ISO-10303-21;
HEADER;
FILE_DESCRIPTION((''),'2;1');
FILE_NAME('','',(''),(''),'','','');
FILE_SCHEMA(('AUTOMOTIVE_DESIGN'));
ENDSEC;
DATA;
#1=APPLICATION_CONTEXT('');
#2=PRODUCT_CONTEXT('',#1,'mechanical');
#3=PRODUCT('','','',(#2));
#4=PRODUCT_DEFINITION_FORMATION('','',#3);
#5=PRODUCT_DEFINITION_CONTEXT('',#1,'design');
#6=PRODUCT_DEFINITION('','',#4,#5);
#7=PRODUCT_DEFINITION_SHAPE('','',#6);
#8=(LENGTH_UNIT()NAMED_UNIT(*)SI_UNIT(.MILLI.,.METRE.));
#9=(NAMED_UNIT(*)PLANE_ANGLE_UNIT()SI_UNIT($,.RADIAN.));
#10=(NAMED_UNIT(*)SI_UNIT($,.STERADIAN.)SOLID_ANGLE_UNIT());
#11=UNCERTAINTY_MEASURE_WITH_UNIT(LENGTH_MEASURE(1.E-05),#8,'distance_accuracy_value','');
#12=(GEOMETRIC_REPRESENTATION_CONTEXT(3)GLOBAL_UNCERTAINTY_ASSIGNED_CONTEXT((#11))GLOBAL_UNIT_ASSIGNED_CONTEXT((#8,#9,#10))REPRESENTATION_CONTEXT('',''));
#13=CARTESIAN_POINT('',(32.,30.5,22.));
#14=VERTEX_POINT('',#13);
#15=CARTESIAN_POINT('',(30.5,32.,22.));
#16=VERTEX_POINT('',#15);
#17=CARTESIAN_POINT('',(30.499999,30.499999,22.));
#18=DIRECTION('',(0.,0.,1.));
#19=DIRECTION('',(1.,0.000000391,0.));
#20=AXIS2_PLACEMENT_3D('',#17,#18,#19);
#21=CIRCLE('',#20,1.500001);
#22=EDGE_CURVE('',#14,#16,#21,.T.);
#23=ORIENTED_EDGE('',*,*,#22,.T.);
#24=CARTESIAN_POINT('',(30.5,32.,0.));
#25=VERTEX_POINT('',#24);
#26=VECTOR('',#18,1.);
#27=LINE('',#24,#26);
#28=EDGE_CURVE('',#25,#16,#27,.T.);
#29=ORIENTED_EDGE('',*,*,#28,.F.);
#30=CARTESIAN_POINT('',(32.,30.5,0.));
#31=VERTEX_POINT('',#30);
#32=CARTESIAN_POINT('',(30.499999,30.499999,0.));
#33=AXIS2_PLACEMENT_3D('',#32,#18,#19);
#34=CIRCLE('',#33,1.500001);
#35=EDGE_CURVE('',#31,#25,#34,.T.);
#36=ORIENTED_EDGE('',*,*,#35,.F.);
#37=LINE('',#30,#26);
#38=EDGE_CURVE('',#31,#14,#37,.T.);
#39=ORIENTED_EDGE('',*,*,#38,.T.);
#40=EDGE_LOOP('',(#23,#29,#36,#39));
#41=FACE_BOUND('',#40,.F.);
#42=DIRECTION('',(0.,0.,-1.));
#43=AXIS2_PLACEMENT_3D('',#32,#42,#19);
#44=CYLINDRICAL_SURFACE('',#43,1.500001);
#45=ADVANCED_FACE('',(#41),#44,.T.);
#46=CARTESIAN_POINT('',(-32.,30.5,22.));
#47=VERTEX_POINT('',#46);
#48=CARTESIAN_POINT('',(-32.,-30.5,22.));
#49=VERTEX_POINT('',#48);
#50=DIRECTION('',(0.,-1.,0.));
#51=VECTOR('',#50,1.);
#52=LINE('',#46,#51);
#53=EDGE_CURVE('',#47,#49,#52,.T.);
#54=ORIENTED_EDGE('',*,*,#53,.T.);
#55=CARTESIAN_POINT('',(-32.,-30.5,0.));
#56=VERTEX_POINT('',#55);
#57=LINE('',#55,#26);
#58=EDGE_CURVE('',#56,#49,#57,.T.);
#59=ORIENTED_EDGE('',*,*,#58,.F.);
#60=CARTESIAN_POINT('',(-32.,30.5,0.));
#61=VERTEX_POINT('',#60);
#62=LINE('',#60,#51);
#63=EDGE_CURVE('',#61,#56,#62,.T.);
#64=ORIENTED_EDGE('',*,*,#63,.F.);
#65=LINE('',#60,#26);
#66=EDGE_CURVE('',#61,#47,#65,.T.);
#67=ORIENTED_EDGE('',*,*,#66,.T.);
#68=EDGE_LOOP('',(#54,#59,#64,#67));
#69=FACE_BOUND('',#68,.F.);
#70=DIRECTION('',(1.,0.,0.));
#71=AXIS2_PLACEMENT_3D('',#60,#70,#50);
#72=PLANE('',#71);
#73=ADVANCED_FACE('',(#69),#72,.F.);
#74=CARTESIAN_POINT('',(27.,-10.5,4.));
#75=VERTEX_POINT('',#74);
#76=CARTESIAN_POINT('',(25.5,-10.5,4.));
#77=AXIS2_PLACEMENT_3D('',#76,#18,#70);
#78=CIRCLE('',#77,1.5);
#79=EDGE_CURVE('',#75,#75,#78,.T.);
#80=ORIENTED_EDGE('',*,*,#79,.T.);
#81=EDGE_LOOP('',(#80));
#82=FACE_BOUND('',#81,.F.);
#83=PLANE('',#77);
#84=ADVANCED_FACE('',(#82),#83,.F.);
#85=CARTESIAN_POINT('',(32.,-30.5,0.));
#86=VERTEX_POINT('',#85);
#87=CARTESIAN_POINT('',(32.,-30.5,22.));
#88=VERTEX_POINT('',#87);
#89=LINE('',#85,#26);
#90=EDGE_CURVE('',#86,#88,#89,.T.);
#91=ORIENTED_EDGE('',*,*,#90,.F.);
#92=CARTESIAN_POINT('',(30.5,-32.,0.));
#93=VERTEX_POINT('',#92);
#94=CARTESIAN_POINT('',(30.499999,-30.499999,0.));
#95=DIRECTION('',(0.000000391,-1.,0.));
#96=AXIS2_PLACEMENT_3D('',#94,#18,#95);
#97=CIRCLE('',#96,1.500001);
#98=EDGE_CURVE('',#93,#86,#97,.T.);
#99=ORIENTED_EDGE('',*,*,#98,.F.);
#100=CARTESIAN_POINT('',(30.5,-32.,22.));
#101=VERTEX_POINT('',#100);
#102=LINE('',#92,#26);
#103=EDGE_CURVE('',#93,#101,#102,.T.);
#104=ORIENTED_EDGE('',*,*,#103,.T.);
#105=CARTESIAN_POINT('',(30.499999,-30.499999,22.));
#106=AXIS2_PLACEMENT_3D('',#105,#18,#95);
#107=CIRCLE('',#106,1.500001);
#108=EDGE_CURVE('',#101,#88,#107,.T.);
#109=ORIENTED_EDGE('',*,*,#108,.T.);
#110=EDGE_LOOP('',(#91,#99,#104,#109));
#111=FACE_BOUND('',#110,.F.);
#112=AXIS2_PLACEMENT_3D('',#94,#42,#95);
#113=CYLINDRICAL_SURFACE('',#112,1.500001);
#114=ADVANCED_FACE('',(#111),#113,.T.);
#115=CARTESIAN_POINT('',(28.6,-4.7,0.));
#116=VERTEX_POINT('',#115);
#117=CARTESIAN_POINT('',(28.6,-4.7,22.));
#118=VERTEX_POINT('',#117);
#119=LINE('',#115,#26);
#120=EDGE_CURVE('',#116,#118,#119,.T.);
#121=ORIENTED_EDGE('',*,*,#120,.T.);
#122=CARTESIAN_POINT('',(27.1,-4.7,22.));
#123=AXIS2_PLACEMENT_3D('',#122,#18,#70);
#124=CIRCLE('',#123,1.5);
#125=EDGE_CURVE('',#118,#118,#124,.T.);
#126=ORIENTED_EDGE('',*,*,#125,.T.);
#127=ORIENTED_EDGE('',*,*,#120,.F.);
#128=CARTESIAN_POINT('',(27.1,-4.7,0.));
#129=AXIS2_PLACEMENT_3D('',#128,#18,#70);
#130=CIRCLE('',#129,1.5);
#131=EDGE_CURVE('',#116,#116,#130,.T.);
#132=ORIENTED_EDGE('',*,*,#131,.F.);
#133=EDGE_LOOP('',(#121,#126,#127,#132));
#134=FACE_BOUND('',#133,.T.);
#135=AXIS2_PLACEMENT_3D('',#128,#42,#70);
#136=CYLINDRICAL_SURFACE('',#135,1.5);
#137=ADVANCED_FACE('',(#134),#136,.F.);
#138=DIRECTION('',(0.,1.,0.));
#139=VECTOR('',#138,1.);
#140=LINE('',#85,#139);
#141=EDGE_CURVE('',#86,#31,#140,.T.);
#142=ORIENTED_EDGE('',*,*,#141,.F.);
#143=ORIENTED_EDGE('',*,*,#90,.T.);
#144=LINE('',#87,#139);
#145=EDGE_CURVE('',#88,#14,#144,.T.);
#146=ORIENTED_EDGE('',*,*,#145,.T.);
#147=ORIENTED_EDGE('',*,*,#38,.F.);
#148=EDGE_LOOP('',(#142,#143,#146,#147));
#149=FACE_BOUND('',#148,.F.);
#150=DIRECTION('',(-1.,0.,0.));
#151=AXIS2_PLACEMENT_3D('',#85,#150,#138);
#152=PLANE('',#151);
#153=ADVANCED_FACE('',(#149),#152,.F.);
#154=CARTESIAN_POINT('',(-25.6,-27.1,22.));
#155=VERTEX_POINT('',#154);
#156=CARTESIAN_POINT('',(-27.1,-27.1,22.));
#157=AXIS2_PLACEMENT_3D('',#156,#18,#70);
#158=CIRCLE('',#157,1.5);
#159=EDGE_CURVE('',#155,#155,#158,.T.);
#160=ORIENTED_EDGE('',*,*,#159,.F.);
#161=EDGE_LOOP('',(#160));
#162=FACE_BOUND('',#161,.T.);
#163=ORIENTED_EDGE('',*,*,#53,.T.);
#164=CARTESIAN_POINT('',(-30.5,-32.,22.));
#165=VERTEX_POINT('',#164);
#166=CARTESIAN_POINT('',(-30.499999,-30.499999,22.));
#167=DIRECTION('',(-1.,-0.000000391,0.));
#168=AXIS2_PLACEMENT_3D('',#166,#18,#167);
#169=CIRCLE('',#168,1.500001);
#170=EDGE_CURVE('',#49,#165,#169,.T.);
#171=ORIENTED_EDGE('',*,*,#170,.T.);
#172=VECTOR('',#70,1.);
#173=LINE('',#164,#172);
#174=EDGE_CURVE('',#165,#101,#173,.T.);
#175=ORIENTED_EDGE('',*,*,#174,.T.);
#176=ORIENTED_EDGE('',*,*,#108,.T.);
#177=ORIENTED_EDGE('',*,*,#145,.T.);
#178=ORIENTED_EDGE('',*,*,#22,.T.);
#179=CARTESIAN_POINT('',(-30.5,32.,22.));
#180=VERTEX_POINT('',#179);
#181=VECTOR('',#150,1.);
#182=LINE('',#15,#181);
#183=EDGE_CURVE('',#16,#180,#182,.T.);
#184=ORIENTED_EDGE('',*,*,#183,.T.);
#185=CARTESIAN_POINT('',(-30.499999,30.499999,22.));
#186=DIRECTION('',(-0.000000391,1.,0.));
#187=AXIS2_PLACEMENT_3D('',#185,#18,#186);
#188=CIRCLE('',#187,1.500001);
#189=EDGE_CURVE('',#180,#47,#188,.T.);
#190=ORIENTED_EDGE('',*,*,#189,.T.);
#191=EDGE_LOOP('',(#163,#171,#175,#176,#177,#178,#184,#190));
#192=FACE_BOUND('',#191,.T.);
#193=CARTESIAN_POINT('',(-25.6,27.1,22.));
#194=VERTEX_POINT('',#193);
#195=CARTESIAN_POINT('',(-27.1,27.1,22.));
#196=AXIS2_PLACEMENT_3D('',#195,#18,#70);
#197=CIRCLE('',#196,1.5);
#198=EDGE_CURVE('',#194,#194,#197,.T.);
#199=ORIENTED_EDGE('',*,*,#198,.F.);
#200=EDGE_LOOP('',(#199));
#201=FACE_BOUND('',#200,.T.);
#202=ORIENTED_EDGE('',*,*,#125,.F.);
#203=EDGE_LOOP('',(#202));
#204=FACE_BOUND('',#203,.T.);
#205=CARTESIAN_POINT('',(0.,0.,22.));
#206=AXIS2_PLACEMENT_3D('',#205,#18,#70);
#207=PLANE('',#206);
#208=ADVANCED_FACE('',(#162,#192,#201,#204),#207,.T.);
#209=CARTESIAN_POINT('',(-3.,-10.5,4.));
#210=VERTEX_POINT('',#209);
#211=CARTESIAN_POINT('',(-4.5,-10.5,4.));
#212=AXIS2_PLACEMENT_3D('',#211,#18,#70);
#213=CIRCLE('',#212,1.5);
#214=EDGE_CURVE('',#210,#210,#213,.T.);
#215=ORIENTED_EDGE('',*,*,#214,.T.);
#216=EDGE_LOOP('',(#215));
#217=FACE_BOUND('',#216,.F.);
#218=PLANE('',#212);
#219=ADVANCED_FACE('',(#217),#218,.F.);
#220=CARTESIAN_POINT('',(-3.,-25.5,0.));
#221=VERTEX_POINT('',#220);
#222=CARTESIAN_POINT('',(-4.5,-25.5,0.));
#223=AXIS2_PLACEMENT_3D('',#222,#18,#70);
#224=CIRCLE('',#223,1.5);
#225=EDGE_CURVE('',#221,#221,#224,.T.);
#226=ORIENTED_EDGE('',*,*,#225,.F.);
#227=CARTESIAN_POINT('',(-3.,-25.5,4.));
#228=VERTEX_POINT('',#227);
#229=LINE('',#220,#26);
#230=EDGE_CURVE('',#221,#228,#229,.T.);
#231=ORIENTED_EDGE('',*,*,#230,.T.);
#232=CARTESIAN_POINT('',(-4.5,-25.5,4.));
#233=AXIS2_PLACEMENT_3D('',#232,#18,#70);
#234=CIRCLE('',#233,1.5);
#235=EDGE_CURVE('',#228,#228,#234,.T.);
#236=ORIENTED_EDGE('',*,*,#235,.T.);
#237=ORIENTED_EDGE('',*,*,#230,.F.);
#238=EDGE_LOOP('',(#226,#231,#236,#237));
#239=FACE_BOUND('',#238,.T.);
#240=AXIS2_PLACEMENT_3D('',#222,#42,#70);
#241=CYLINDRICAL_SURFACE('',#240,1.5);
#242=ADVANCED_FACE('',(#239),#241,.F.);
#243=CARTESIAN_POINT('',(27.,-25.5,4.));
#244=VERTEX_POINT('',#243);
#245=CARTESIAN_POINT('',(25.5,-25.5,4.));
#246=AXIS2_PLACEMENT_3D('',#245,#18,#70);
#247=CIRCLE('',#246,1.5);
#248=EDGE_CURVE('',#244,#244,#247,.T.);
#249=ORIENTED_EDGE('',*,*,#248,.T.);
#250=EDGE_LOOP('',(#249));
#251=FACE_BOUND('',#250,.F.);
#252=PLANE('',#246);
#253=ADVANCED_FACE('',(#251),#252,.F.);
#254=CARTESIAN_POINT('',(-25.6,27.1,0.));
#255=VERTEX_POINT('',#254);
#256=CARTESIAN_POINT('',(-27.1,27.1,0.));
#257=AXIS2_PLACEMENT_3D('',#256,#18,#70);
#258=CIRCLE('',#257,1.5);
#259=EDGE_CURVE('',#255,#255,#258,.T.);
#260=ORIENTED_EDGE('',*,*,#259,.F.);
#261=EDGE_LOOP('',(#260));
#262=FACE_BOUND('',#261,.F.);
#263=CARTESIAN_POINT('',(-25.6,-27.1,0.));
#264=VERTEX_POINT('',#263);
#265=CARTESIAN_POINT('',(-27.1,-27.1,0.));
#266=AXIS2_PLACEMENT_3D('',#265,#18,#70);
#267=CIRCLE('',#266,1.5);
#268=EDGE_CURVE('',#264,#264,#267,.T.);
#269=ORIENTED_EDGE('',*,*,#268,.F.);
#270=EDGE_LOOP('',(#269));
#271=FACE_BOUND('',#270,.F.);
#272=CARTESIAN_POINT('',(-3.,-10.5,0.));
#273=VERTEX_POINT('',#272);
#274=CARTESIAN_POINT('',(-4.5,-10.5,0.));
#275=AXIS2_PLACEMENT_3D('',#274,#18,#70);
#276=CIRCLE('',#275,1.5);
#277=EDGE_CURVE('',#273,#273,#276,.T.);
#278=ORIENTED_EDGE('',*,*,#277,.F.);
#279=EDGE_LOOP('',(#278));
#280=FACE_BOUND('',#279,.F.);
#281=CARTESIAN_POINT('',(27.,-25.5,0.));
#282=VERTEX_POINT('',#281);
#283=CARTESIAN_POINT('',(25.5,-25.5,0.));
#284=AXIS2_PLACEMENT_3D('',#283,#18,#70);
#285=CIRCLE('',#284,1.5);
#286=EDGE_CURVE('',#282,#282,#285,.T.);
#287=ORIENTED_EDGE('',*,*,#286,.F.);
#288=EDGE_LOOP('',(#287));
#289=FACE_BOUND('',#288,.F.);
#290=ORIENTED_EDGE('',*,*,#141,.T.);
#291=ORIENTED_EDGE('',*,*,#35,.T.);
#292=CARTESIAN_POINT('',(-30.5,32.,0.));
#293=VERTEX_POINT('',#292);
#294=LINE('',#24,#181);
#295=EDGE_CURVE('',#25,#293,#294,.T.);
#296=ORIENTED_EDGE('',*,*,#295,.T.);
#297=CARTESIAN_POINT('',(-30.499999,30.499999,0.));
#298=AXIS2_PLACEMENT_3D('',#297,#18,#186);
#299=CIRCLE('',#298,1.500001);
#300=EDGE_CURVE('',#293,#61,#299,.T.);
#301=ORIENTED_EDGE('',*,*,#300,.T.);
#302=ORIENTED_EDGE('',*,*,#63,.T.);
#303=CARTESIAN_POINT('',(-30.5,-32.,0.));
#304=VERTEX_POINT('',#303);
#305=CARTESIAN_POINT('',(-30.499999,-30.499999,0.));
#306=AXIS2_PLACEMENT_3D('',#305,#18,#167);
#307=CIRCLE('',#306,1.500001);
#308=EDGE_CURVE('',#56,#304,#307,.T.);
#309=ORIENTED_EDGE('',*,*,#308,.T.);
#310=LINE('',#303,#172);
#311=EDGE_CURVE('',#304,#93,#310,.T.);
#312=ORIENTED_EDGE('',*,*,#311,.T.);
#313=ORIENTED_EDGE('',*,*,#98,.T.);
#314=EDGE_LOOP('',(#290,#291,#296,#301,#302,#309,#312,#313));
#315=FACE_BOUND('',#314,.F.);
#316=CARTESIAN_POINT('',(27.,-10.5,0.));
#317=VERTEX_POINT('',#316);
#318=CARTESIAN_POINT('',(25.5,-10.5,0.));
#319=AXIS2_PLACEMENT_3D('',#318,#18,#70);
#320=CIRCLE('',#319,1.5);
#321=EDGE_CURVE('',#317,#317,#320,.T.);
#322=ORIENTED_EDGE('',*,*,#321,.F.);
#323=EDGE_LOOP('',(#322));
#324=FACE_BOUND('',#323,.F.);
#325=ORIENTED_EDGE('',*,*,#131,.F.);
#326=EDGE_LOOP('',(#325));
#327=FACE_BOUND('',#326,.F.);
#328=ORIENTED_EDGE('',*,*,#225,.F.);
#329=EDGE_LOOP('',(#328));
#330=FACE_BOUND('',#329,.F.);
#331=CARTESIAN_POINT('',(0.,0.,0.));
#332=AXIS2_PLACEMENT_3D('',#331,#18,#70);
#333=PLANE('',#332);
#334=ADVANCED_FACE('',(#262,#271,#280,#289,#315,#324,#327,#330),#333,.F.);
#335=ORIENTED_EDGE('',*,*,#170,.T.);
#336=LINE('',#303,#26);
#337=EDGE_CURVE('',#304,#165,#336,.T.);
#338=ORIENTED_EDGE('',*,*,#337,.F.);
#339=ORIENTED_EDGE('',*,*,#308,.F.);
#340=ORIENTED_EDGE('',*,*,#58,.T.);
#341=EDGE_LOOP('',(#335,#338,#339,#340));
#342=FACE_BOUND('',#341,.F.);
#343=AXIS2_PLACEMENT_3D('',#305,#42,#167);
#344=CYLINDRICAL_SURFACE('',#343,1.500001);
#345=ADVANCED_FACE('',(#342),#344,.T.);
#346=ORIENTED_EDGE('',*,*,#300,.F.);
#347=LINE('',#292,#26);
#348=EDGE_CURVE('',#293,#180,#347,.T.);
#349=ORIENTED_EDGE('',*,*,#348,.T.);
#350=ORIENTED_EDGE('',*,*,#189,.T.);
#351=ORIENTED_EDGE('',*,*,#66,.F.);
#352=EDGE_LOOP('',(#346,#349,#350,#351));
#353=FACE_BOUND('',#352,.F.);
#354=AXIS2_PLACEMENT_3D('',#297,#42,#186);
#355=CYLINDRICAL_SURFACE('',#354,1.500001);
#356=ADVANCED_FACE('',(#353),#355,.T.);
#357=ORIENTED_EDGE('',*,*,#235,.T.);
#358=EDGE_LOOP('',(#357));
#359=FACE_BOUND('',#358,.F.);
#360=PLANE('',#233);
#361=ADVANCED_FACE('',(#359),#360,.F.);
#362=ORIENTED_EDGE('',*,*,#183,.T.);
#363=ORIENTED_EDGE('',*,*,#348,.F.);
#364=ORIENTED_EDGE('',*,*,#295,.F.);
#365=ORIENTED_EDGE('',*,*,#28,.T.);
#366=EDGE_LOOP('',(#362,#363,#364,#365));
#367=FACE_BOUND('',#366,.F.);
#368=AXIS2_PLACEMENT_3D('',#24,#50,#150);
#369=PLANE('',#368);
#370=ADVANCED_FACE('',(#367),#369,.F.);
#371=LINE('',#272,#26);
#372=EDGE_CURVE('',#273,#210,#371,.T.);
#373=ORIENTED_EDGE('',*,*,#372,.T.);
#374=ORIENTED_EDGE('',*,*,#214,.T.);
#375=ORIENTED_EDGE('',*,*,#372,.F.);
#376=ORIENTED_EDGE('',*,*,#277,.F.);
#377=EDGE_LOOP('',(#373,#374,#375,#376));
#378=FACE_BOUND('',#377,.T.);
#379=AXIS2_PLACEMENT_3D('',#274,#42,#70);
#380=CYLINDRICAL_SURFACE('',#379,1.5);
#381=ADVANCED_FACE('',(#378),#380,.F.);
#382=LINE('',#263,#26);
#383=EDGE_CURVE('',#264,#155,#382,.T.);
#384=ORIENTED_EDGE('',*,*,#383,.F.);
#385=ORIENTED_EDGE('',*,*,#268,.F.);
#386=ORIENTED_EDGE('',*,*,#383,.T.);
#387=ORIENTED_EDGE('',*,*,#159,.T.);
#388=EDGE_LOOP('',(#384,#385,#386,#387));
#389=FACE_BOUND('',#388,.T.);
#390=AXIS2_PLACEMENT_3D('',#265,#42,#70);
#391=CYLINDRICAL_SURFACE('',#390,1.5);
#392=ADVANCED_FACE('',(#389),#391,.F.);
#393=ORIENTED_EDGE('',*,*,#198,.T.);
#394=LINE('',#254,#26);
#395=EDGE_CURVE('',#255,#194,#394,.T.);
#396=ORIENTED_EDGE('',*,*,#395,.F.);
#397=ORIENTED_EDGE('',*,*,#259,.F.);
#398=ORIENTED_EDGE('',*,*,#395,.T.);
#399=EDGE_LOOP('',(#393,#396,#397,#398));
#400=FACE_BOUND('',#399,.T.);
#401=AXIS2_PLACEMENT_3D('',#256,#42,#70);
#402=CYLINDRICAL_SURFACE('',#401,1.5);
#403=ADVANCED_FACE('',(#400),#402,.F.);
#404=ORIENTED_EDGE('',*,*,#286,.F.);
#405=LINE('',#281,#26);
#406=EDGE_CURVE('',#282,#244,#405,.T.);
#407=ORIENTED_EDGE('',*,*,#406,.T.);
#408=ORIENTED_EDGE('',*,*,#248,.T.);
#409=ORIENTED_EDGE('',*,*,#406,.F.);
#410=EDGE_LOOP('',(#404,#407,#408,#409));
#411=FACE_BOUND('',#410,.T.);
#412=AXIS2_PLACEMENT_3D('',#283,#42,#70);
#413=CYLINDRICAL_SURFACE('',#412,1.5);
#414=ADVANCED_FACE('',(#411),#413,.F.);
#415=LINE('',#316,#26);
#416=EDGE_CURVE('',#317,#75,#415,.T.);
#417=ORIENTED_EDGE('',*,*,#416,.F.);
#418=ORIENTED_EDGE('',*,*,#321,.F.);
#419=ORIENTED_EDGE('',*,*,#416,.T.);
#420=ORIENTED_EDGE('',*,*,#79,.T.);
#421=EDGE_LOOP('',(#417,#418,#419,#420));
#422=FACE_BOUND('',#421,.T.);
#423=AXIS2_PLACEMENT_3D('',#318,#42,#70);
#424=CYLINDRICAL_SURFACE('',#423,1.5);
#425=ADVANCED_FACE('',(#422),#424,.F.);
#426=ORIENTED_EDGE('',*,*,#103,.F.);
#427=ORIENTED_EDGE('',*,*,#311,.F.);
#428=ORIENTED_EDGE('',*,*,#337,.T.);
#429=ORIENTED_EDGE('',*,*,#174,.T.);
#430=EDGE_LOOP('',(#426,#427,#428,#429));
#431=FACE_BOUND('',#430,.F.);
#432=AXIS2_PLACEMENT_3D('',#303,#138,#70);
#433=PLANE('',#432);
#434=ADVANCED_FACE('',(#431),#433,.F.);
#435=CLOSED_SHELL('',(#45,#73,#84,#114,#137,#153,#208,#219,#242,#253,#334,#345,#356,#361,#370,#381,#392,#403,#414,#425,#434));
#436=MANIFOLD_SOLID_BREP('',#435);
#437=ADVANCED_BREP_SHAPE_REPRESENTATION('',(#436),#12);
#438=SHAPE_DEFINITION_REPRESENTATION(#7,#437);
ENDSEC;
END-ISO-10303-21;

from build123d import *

# Parameters (mm, degrees)
F0_R     = 1.5
F1_DEPTH = 22
F2_DEPTH = 4


with BuildPart() as f1:
    # F0 (on Top) → F1 (new body)
    with BuildSketch(Plane.XY):
        with BuildLine():
            Line((-30.5, -32), (30.5, -32))
            ThreePointArc((30.5, -32), (31.56066, -31.56066), (32, -30.5))
            Line((32, -30.5), (32, 30.5))
            ThreePointArc((32, 30.5), (31.56066, 31.56066), (30.5, 32))
            Line((30.5, 32), (-30.5, 32))
            ThreePointArc((-30.5, 32), (-31.56066, 31.56066), (-32, 30.5))
            Line((-32, 30.5), (-32, -30.5))
            ThreePointArc((-32, -30.5), (-31.56066, -31.56066), (-30.5, -32))
        make_face()
        with Locations((-27.1, -27.1)):
            Circle(F0_R, mode=Mode.SUBTRACT)
        with Locations((-4.5, -25.5)):
            Circle(F0_R, mode=Mode.SUBTRACT)
        with Locations((-4.5, -10.5)):
            Circle(F0_R, mode=Mode.SUBTRACT)
        with Locations((25.5, -25.5)):
            Circle(F0_R, mode=Mode.SUBTRACT)
        with Locations((25.5, -10.5)):
            Circle(F0_R, mode=Mode.SUBTRACT)
        with Locations((27.1, -4.7)):
            Circle(F0_R, mode=Mode.SUBTRACT)
        with Locations((-27.1, 27.1)):
            Circle(F0_R, mode=Mode.SUBTRACT)
        with Locations((25.5, -25.5)):
            Circle(F0_R)
        with Locations((-4.5, -25.5)):
            Circle(F0_R)
        with Locations((-4.5, -10.5)):
            Circle(F0_R)
        with Locations((25.5, -10.5)):
            Circle(F0_R)
    extrude(amount=F1_DEPTH)

    # F0 (on Top) → F2 (cut)
    with BuildSketch(Plane.XY):
        with Locations((25.5, -10.5)):
            Circle(F0_R)
        with Locations((-4.5, -10.5)):
            Circle(F0_R)
        with Locations((-4.5, -25.5)):
            Circle(F0_R)
        with Locations((25.5, -25.5)):
            Circle(F0_R)
    extrude(amount=F2_DEPTH, mode=Mode.SUBTRACT)


solid = f1.part
